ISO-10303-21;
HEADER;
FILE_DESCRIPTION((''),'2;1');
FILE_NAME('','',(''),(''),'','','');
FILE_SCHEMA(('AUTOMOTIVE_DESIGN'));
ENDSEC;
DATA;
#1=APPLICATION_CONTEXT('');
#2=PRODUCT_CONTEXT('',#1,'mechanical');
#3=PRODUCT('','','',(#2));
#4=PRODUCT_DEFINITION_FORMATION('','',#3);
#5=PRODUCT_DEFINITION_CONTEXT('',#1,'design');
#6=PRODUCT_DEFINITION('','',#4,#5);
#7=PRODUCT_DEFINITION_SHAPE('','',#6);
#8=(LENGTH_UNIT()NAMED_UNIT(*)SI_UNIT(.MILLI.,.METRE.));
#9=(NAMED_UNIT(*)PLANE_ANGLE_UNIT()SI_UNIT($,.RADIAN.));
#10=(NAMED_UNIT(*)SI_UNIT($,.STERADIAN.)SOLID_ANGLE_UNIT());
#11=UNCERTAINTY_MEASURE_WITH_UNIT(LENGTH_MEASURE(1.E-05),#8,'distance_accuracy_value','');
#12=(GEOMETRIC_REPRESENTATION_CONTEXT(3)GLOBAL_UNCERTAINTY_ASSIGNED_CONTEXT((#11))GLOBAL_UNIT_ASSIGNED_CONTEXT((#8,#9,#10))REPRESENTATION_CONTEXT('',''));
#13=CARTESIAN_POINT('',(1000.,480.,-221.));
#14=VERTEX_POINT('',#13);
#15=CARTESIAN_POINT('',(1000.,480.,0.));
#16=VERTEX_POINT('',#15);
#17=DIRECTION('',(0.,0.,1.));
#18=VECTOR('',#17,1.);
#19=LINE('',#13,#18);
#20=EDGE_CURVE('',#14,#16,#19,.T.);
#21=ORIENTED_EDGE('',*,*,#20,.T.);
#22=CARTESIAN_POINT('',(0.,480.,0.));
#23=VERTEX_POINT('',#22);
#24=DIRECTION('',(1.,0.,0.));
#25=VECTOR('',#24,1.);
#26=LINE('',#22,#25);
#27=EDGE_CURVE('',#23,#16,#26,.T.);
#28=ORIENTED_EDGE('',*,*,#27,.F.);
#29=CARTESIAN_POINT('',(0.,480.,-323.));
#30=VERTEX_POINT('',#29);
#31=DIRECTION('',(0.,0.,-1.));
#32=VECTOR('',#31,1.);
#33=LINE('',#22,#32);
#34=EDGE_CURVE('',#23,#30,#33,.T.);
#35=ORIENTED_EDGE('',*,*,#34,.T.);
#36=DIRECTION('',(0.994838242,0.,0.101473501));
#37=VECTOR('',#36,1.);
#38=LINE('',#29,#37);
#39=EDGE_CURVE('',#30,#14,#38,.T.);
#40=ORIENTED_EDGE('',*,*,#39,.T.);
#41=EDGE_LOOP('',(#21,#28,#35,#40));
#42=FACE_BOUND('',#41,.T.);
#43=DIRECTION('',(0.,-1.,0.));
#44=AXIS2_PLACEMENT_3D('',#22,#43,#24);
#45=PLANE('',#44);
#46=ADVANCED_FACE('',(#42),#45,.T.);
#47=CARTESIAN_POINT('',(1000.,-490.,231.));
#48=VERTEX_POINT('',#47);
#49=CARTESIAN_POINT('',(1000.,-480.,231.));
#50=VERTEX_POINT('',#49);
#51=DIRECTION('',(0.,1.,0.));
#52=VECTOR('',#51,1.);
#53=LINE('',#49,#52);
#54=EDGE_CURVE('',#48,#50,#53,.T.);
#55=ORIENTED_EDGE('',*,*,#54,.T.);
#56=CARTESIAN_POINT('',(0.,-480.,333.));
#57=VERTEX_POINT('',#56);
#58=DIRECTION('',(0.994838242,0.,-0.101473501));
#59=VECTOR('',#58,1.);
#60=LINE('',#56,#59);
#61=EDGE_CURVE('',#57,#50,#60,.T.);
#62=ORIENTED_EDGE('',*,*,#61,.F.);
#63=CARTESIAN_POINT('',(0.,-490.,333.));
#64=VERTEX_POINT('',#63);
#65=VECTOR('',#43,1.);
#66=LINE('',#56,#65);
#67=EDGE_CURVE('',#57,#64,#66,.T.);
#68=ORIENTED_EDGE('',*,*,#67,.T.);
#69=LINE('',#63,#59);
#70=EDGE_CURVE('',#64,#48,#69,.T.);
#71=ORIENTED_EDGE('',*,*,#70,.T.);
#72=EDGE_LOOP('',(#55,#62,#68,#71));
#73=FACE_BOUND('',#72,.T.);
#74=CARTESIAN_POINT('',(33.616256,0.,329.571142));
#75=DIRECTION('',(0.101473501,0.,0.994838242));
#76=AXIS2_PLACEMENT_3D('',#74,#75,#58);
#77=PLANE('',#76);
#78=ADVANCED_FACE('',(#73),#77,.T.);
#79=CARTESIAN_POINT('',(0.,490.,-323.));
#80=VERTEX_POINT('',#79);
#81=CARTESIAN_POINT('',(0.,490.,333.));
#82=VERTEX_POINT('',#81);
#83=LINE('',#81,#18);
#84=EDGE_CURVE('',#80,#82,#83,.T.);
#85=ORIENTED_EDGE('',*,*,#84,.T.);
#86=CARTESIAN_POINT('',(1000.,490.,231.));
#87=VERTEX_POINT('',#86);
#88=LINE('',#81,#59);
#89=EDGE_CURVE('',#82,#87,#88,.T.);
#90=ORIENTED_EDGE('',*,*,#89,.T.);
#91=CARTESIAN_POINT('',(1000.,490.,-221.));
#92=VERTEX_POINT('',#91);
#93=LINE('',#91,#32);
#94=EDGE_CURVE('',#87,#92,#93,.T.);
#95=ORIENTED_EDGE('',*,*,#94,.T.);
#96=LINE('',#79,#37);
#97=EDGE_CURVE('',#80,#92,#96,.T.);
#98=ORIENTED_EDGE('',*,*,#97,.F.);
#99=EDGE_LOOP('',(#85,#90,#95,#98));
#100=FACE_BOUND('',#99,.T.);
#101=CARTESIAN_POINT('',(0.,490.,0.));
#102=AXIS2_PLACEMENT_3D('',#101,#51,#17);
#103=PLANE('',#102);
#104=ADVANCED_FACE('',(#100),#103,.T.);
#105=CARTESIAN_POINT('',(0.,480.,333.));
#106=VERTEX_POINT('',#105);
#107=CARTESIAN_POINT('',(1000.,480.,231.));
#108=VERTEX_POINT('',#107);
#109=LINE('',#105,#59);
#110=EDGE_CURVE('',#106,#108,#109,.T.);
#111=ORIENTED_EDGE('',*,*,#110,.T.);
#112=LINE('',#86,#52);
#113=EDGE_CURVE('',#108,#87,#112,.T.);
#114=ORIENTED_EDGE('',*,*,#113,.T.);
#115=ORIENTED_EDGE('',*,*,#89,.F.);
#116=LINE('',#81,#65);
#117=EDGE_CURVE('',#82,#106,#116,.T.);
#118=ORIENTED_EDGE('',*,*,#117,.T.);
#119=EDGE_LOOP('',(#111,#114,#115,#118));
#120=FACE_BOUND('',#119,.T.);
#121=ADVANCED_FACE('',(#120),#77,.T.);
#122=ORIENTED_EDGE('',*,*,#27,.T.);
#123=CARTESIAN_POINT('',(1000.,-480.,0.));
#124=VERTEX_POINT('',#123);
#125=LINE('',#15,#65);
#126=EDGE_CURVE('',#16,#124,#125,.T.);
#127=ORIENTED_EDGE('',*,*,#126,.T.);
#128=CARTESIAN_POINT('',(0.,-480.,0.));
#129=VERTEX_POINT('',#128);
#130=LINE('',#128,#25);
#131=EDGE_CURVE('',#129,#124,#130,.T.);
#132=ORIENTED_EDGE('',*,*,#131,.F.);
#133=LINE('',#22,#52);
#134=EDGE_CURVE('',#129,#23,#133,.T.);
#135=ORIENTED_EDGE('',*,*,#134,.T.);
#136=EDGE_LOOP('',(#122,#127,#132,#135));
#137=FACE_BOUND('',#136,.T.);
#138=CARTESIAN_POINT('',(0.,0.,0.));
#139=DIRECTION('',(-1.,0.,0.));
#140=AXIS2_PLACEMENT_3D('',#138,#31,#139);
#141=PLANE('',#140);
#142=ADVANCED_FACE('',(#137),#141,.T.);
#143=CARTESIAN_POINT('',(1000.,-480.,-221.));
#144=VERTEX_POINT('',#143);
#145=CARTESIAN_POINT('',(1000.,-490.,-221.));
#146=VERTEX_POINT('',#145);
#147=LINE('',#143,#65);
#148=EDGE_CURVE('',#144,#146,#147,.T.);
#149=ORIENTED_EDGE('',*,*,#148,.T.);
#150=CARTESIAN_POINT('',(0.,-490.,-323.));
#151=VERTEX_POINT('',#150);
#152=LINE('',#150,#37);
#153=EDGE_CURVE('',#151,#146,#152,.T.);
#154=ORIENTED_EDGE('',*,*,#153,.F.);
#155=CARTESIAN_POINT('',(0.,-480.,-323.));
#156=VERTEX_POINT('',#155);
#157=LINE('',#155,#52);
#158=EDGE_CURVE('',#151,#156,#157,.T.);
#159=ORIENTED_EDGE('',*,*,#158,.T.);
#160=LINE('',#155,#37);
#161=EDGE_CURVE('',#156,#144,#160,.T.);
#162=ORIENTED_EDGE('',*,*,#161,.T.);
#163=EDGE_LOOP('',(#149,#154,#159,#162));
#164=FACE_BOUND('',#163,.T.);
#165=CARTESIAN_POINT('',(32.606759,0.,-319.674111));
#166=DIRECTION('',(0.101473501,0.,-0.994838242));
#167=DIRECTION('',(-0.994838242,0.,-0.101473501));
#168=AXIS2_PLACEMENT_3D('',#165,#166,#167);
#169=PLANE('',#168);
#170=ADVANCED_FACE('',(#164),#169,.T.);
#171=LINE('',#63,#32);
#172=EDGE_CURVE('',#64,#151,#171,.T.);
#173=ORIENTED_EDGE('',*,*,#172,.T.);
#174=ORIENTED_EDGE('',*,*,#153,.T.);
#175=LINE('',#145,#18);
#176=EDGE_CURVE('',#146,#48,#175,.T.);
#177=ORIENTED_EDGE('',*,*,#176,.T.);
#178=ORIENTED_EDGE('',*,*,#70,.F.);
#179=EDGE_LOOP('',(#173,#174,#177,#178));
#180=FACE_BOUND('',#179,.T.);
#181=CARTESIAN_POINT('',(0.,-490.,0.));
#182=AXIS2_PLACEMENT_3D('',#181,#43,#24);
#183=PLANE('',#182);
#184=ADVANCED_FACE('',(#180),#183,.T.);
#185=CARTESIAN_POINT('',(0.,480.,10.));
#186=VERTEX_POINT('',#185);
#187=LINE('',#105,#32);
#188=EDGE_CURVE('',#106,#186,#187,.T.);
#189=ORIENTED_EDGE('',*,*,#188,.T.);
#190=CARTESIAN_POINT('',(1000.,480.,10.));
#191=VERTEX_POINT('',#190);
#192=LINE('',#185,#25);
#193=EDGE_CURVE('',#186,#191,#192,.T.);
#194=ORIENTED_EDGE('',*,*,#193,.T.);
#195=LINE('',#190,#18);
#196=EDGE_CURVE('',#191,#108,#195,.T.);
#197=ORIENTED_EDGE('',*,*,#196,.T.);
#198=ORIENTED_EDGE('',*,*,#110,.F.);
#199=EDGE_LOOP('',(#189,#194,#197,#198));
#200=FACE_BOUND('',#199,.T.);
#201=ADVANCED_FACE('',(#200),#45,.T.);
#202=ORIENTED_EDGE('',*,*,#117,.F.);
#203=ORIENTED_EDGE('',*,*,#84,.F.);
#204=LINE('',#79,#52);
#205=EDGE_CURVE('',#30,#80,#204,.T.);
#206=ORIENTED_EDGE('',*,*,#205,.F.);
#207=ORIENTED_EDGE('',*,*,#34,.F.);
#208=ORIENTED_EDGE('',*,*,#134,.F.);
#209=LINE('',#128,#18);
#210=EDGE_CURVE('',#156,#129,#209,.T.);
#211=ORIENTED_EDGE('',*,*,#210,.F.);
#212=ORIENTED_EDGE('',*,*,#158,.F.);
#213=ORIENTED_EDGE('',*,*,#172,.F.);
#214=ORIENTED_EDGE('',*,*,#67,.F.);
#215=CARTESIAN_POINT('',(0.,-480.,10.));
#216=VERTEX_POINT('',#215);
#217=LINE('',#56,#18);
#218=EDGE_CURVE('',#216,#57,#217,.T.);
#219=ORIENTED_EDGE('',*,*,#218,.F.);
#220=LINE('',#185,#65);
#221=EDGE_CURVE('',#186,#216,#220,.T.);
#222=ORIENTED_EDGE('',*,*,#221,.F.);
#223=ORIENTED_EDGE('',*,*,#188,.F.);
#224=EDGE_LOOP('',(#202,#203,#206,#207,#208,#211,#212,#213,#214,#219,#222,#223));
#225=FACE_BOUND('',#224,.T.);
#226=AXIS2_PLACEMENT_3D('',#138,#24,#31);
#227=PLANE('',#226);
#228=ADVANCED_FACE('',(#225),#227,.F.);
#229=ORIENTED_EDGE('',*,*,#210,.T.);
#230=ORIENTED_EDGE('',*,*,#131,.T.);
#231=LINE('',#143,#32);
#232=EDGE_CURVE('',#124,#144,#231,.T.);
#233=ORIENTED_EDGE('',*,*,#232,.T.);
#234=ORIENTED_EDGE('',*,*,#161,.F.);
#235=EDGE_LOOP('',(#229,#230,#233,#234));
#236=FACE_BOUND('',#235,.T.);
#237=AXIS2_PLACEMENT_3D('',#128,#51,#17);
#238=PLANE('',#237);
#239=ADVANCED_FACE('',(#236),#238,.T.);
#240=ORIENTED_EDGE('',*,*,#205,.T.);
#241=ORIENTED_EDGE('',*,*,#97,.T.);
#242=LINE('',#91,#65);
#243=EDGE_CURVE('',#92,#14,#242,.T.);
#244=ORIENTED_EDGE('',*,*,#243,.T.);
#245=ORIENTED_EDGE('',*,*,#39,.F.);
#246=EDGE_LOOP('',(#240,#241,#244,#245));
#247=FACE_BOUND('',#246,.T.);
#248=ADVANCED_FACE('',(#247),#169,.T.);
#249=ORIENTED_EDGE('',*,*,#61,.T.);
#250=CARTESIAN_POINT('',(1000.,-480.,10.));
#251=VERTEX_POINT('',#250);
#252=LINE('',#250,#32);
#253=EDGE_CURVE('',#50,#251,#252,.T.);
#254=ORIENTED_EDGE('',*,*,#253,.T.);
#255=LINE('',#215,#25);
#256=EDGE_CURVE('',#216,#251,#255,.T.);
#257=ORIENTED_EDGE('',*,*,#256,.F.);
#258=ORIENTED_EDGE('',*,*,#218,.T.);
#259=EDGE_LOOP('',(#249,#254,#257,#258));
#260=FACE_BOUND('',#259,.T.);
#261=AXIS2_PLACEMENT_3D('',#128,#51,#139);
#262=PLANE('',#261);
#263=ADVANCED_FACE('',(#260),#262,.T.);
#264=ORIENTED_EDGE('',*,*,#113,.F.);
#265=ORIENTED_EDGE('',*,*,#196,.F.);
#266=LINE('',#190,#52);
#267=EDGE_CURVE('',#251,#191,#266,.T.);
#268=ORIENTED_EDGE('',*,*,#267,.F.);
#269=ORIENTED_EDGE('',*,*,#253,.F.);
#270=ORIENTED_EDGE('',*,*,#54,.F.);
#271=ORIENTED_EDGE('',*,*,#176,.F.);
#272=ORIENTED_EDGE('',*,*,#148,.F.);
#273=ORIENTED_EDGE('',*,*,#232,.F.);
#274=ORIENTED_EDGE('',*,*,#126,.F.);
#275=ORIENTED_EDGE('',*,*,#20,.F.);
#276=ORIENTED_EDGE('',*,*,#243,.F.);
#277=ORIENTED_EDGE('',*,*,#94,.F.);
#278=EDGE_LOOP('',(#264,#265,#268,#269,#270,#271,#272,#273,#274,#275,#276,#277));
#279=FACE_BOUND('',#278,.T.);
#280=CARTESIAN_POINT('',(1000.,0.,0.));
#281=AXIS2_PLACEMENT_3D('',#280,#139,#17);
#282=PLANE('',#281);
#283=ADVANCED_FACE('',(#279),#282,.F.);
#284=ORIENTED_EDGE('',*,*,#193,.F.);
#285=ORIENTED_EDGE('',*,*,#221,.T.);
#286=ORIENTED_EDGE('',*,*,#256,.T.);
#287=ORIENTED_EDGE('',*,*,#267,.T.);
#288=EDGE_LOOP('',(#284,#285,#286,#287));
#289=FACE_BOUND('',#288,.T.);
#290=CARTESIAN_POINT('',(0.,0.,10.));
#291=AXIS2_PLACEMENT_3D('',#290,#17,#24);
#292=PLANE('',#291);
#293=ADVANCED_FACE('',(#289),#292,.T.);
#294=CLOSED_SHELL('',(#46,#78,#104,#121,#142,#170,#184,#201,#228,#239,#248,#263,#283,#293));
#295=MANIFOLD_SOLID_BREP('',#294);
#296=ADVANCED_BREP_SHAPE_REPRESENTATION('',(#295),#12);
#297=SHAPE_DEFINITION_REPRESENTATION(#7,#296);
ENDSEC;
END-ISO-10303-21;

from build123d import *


with BuildPart() as part:
    # Sketch1 → Loft l1 section 0
    with BuildSketch(Plane(origin=(0, 0, 0), x_dir=(0, 0, -1), z_dir=(1, 0, 0))):
        Polygon((-333, 490), (323, 490), (323, 480), (0, 480), (0, -480), (323, -480), (323, -490), (-333, -490), (-333, -480), (-10, -480), (-10, 480), (-333, 480), align=None)
    # Sketch4 → Loft l1 section 1
    with BuildSketch(Plane(origin=(1000, 0, -1000), x_dir=(0, 0, 1), z_dir=(-1, 0, 0))):
        Polygon((779, 490), (1231, 490), (1231, 480), (1010, 480), (1010, -480), (1231, -480), (1231, -490), (779, -490), (779, -480), (1000, -480), (1000, 480), (779, 480), align=None)
    loft()


solid = part.part
